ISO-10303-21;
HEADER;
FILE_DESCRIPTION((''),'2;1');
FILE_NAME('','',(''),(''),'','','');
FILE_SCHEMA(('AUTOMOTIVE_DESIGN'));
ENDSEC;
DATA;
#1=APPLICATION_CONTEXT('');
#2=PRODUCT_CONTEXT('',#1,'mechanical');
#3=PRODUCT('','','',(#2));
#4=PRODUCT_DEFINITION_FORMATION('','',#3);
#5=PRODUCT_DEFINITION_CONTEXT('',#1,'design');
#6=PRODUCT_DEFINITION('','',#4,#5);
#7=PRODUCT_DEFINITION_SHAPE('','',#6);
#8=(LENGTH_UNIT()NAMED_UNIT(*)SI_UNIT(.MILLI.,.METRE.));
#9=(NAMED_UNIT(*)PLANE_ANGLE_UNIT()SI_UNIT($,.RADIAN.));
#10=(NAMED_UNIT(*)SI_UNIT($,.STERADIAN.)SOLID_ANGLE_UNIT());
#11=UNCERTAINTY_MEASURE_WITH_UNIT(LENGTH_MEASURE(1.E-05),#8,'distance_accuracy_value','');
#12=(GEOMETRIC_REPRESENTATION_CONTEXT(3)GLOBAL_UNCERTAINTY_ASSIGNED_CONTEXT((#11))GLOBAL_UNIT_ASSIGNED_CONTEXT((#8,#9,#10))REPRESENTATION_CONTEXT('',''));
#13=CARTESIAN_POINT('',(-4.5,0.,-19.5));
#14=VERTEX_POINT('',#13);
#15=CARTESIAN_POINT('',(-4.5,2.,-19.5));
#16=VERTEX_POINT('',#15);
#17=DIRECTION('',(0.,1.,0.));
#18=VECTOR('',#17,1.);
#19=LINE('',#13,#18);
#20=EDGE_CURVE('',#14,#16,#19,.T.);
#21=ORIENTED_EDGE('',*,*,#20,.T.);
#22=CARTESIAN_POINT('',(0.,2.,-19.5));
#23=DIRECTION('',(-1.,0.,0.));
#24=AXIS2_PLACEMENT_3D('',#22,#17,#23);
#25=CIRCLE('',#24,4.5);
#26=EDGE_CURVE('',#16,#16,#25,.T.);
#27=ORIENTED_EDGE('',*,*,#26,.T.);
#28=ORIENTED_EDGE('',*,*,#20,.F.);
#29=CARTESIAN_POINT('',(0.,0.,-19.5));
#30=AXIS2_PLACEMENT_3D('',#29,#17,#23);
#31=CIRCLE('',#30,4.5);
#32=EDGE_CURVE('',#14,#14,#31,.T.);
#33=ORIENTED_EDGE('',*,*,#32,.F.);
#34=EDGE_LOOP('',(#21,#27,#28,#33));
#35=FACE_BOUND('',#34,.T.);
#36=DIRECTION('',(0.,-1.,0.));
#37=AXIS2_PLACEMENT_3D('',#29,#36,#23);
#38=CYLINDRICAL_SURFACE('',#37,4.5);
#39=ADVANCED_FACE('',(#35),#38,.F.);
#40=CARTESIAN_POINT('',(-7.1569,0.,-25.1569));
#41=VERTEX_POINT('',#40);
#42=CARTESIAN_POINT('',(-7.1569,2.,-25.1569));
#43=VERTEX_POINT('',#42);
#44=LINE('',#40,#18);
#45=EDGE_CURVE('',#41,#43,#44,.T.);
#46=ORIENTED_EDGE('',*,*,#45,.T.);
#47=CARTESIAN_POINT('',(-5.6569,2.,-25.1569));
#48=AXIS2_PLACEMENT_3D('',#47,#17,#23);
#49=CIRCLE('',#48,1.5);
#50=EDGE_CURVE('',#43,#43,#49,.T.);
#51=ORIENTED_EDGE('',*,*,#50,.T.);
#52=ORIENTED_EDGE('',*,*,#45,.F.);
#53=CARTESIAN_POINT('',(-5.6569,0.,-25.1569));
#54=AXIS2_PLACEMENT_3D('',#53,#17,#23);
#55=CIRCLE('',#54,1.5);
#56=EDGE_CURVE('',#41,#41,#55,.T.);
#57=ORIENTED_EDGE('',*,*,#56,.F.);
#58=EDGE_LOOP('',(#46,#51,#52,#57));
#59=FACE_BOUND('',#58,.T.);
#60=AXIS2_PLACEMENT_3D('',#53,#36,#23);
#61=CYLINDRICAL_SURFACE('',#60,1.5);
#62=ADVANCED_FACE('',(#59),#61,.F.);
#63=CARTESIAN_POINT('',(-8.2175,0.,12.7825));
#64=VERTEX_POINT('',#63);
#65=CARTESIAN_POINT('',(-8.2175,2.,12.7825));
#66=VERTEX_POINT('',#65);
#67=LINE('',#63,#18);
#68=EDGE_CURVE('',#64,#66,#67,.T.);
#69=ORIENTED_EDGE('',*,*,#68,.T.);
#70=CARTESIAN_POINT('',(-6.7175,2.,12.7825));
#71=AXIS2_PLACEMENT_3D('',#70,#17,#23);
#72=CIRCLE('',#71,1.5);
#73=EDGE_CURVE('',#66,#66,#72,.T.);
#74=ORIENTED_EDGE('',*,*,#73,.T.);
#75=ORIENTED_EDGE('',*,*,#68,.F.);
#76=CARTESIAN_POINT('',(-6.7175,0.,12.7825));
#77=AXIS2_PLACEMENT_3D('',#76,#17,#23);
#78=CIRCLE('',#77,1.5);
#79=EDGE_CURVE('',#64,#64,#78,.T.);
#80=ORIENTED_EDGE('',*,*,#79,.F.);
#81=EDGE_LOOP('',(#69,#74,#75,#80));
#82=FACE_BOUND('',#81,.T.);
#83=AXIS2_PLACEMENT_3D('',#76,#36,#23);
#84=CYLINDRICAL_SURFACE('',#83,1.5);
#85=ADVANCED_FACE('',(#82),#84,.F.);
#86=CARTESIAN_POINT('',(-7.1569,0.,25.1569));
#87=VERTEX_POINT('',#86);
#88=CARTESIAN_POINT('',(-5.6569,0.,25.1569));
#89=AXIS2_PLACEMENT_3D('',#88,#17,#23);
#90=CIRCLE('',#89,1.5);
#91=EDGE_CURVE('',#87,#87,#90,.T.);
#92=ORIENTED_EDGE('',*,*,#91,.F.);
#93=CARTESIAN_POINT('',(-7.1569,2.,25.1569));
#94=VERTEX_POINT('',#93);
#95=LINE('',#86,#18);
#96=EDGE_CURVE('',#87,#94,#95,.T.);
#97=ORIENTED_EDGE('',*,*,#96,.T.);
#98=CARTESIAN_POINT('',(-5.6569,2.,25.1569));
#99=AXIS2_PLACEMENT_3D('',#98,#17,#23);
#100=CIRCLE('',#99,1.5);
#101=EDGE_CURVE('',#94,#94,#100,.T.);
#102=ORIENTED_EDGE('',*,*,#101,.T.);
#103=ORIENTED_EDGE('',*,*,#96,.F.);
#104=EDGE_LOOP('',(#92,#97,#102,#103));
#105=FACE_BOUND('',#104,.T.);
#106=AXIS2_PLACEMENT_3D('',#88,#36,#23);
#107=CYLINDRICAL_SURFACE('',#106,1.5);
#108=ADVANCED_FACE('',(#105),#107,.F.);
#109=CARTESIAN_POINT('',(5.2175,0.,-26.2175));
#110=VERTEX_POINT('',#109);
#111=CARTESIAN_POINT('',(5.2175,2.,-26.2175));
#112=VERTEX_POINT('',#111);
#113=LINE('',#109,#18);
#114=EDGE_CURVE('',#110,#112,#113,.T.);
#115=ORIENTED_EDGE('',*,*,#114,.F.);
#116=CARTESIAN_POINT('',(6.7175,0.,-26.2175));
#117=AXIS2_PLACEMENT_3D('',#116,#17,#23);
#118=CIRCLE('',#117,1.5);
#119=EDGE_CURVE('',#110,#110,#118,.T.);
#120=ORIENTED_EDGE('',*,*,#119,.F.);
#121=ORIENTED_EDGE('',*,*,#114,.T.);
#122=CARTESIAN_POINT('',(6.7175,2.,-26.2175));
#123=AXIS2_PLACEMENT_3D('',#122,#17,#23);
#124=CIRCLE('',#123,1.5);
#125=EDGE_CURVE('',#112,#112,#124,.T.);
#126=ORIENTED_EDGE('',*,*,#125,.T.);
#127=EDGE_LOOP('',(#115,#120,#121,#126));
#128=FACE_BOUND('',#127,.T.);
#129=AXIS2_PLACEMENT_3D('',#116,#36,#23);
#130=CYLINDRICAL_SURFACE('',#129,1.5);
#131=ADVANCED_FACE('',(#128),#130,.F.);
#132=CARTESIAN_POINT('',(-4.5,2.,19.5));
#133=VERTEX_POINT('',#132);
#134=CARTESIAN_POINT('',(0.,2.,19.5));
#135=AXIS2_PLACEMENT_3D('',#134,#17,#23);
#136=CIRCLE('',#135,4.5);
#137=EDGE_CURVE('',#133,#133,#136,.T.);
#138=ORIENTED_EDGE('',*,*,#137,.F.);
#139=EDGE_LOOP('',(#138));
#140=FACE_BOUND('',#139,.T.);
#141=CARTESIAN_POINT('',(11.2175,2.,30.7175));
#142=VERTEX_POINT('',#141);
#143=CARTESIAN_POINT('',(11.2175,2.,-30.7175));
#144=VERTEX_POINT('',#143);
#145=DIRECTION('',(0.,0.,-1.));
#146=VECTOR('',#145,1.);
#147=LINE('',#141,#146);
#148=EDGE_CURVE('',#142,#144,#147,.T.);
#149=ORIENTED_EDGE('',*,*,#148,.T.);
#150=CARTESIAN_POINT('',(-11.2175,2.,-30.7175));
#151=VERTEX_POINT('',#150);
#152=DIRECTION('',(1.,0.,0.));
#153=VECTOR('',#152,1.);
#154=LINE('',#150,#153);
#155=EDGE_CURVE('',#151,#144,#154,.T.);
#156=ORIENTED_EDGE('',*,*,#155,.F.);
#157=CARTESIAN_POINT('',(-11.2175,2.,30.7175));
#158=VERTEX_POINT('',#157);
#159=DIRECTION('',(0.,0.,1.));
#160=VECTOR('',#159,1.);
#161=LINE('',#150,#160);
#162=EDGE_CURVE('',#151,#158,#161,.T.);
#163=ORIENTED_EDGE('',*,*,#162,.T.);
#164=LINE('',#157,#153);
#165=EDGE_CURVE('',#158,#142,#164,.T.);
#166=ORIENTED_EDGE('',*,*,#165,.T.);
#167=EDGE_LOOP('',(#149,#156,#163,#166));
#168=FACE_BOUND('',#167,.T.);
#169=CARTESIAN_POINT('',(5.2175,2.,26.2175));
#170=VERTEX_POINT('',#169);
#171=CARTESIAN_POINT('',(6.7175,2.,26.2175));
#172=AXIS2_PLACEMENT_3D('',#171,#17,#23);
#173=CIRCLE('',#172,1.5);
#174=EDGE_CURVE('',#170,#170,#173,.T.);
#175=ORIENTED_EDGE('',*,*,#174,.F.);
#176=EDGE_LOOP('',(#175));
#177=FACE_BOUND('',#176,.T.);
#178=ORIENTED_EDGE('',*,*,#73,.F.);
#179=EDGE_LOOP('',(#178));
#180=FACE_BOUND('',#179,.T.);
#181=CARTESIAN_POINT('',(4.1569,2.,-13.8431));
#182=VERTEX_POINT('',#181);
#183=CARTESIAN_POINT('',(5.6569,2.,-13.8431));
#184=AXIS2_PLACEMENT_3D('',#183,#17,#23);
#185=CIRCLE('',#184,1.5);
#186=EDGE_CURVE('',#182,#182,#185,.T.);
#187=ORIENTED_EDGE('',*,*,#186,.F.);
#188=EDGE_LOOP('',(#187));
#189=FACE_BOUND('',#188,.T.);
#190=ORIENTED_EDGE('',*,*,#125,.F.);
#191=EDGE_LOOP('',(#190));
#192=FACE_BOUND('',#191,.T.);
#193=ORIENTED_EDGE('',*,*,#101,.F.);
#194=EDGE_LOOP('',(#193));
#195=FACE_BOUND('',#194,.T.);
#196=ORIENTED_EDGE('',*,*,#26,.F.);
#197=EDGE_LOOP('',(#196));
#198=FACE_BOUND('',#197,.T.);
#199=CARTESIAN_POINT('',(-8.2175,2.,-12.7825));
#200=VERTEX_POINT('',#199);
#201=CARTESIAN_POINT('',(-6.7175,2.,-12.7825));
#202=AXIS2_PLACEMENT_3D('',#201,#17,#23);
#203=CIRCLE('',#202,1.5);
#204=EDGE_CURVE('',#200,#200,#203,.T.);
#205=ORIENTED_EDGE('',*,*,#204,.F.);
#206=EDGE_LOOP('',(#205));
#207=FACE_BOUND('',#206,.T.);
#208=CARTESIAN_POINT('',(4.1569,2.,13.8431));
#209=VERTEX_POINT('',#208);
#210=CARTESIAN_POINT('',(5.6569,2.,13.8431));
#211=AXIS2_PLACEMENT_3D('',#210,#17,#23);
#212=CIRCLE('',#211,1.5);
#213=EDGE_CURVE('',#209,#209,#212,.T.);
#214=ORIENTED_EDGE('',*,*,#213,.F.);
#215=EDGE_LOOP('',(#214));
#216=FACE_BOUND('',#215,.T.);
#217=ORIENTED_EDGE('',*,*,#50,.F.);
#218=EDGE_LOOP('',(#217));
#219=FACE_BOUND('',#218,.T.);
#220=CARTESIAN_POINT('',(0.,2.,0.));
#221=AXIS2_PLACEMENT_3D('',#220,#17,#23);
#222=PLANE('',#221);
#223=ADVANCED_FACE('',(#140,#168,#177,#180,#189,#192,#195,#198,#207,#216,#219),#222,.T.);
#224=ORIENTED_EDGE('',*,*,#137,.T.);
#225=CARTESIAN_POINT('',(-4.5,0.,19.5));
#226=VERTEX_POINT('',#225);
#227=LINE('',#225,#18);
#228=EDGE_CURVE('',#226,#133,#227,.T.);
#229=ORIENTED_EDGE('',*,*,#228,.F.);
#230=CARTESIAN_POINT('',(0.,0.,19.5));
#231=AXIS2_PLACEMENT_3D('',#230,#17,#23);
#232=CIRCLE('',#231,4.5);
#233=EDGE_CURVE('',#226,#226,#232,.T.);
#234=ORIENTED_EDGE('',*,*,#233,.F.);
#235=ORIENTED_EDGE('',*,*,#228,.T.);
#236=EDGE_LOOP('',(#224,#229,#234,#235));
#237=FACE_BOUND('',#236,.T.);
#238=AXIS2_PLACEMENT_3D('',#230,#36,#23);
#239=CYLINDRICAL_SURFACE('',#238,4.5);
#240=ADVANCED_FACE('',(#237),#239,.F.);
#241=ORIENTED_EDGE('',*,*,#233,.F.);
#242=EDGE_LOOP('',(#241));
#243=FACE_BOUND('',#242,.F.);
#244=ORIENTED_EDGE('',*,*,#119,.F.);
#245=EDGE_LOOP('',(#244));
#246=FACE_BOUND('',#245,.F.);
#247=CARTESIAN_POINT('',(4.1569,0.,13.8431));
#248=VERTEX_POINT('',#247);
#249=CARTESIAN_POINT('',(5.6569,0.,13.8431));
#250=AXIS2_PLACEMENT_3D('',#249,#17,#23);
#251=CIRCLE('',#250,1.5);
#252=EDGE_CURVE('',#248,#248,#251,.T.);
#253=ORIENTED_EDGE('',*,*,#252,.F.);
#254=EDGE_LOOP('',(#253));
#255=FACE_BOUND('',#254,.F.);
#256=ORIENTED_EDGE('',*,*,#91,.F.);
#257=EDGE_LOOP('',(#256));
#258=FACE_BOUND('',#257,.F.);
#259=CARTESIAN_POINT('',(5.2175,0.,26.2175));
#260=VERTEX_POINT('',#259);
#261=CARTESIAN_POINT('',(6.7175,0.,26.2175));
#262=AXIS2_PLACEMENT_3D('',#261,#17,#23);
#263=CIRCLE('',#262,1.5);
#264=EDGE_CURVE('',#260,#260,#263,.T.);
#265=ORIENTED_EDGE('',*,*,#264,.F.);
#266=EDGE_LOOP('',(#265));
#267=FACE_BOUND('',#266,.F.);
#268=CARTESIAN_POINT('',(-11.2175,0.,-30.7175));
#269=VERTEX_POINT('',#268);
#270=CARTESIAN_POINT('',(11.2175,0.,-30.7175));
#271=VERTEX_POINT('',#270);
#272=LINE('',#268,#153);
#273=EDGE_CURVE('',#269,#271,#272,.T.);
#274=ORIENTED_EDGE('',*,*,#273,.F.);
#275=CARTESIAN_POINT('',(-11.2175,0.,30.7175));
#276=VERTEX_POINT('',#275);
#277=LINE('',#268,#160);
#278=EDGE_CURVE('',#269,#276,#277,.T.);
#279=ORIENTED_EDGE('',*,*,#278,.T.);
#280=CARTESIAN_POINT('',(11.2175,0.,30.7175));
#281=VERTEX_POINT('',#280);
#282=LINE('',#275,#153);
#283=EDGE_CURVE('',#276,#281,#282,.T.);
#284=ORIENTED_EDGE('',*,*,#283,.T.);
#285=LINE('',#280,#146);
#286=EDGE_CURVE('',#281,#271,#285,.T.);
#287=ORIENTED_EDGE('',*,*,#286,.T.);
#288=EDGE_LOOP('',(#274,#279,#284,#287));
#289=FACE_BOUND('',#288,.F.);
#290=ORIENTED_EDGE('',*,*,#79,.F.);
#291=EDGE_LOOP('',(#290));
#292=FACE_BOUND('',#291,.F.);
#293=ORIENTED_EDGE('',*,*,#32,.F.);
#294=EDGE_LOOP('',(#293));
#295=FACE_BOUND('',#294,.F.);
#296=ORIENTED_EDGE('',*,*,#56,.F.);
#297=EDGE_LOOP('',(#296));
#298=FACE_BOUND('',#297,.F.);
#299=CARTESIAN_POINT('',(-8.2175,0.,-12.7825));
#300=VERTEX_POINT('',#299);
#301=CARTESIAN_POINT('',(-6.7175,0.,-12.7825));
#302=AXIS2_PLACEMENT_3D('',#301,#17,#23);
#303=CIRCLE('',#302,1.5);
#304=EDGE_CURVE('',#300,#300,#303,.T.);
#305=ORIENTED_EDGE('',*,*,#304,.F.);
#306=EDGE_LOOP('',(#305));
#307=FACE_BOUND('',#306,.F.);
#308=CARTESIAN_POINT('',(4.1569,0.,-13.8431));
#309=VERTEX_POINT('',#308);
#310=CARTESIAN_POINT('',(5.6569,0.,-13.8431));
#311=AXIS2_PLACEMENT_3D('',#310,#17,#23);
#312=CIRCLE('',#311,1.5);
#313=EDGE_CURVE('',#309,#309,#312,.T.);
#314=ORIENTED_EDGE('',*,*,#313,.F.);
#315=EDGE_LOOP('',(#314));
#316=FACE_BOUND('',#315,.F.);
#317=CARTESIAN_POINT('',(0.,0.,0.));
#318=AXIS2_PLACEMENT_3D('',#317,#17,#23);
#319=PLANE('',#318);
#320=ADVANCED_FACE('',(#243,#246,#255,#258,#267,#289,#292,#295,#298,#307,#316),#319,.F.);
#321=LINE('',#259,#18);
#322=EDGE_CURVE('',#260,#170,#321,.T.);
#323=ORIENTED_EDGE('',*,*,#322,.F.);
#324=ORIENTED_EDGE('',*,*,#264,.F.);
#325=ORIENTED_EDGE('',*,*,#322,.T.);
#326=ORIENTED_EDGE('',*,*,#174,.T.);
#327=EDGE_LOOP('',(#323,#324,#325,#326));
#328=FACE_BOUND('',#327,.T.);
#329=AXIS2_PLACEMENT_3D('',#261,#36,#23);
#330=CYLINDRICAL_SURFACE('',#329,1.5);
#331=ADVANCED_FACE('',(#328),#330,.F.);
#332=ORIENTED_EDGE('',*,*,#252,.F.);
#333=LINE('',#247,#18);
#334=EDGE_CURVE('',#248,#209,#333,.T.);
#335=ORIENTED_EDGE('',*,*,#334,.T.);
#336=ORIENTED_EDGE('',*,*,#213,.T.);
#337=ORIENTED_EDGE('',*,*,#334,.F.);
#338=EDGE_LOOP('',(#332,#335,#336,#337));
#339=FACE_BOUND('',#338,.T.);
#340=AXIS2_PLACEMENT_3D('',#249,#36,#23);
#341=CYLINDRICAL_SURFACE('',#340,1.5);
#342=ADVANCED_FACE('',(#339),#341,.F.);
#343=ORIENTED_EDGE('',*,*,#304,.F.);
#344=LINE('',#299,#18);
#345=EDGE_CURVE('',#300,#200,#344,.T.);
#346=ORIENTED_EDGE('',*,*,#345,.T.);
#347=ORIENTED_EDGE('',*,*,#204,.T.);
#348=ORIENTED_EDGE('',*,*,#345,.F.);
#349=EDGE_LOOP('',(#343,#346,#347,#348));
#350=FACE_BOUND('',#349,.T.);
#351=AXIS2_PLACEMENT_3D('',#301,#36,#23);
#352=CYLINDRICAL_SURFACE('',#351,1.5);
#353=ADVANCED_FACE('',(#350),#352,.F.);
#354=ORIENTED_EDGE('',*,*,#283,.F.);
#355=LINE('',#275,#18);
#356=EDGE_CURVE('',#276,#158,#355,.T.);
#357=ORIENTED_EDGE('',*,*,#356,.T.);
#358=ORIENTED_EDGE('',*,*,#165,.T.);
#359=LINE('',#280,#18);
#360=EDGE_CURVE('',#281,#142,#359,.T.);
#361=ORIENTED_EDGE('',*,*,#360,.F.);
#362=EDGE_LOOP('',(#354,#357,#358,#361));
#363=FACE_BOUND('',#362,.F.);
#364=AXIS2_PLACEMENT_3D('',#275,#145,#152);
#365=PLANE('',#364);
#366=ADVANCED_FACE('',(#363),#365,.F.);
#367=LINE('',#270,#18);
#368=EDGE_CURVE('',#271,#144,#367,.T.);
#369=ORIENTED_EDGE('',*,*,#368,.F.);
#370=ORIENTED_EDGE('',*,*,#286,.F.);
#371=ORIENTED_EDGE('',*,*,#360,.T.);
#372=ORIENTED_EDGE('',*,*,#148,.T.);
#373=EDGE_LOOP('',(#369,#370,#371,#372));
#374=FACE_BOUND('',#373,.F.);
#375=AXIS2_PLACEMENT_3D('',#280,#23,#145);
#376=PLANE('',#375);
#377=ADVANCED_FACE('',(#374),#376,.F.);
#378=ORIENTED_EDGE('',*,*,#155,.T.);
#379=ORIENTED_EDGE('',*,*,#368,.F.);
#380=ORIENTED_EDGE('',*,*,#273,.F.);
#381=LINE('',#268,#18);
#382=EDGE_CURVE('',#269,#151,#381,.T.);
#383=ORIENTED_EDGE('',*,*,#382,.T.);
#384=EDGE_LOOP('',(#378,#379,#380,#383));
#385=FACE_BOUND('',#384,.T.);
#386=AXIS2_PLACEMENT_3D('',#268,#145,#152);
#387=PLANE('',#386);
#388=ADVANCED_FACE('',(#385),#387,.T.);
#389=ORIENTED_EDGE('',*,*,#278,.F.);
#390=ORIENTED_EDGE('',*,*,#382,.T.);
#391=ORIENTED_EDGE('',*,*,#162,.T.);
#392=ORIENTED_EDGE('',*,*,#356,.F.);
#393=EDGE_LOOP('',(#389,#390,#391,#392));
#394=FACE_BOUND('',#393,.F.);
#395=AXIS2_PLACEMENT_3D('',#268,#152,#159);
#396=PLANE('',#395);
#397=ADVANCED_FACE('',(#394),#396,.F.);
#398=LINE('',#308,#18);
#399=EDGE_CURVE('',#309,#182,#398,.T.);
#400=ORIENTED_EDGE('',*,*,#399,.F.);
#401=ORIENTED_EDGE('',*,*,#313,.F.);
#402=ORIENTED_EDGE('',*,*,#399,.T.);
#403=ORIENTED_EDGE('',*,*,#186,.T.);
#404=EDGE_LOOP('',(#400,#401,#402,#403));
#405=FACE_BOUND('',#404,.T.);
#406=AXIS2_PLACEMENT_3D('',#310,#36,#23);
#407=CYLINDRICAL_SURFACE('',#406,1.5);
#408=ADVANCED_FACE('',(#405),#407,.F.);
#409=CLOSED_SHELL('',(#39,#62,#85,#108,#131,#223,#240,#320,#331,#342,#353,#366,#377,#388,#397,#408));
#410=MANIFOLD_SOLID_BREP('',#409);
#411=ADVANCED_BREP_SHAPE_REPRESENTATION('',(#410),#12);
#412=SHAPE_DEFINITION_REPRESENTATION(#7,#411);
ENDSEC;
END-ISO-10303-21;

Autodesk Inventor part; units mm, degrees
ref_plane "YZ Plane" through (0, 0, 0) normal (1, 0, 0) x (0, 1, 0)
ref_plane "XZ Plane" through (0, 0, 0) normal (0, 1, 0) x (-1, 0, 0)
ref_plane "XY Plane" through (0, 0, 0) normal (0, 0, 1) x (1, 0, 0)
sketch "Szkic1" plane through (0, 0, 0) normal (0, 1, 0) x (-1, 0, 0)
  line L0 (11.2175, 30.7175) -> (-11.2175, 30.7175)
  line L1 (-11.2175, 30.7175) -> (-11.2175, -30.7175)
  line L2 (11.2175, -30.7175) -> (11.2175, 30.7175)
  circle A0 centre (6.7175, 12.7825) radius 1.5
  circle A1 centre (-6.7175, 26.2175) radius 1.5
  circle A2 centre (0, 19.5) radius 4.5
  circle A3 centre (0, -19.5) radius 4.5
  circle A4 centre (6.7175, -12.7825) radius 1.5
  circle A5 centre (-6.7175, -26.2175) radius 1.5
  circle A6 centre (5.6569, 25.1569) radius 1.5
  circle A7 centre (-5.6569, 13.8431) radius 1.5
  circle A8 centre (-5.6569, -13.8431) radius 1.5
  circle A9 centre (5.6569, -25.1569) radius 1.5
  line L3 (11.2175, -30.7175) -> (-11.2175, -30.7175)
  point P0 (0, 0)
  point P1 (0, 10.7072)
  dimension "d0" = 3
  dimension "d1" = 3
  dimension "d3" = 0
  dimension "d8" = 9
  dimension "d10" = 9
  dimension "d11" = 3
  dimension "d12" = 3
  dimension "d20" = 19.5
  dimension "d21" = 39
  dimension "d26" = 3
  dimension "d27" = 3
  dimension "d28" = 3
  dimension "d29" = 3
  dimension "d30" = 6.7175
  dimension "d31" = 6.7175
  dimension "d32" = 6.7175
  dimension "d33" = 6.7175
  dimension "d34" = 6.7175
  dimension "d35" = 6.7175
  dimension "d36" = 6.7175
  dimension "d37" = 6.7175
  dimension "d38" = 5.6569
  dimension "d39" = 5.6569
  dimension "d40" = 5.6569
  dimension "d41" = 5.6569
  dimension "d42" = 5.6569
  dimension "d43" = 5.6569
  dimension "d44" = 5.6569
  dimension "d45" = 5.6569
  dimension "d48" = 4.5
  dimension "d50" = 4.5
  dimension "d51" = 4.5
  dimension "d52" = 4.5
extrude "Wyciągnięcie proste1" add sketch "Szkic1" along normal blind 2
properties part number "HolderV2"
